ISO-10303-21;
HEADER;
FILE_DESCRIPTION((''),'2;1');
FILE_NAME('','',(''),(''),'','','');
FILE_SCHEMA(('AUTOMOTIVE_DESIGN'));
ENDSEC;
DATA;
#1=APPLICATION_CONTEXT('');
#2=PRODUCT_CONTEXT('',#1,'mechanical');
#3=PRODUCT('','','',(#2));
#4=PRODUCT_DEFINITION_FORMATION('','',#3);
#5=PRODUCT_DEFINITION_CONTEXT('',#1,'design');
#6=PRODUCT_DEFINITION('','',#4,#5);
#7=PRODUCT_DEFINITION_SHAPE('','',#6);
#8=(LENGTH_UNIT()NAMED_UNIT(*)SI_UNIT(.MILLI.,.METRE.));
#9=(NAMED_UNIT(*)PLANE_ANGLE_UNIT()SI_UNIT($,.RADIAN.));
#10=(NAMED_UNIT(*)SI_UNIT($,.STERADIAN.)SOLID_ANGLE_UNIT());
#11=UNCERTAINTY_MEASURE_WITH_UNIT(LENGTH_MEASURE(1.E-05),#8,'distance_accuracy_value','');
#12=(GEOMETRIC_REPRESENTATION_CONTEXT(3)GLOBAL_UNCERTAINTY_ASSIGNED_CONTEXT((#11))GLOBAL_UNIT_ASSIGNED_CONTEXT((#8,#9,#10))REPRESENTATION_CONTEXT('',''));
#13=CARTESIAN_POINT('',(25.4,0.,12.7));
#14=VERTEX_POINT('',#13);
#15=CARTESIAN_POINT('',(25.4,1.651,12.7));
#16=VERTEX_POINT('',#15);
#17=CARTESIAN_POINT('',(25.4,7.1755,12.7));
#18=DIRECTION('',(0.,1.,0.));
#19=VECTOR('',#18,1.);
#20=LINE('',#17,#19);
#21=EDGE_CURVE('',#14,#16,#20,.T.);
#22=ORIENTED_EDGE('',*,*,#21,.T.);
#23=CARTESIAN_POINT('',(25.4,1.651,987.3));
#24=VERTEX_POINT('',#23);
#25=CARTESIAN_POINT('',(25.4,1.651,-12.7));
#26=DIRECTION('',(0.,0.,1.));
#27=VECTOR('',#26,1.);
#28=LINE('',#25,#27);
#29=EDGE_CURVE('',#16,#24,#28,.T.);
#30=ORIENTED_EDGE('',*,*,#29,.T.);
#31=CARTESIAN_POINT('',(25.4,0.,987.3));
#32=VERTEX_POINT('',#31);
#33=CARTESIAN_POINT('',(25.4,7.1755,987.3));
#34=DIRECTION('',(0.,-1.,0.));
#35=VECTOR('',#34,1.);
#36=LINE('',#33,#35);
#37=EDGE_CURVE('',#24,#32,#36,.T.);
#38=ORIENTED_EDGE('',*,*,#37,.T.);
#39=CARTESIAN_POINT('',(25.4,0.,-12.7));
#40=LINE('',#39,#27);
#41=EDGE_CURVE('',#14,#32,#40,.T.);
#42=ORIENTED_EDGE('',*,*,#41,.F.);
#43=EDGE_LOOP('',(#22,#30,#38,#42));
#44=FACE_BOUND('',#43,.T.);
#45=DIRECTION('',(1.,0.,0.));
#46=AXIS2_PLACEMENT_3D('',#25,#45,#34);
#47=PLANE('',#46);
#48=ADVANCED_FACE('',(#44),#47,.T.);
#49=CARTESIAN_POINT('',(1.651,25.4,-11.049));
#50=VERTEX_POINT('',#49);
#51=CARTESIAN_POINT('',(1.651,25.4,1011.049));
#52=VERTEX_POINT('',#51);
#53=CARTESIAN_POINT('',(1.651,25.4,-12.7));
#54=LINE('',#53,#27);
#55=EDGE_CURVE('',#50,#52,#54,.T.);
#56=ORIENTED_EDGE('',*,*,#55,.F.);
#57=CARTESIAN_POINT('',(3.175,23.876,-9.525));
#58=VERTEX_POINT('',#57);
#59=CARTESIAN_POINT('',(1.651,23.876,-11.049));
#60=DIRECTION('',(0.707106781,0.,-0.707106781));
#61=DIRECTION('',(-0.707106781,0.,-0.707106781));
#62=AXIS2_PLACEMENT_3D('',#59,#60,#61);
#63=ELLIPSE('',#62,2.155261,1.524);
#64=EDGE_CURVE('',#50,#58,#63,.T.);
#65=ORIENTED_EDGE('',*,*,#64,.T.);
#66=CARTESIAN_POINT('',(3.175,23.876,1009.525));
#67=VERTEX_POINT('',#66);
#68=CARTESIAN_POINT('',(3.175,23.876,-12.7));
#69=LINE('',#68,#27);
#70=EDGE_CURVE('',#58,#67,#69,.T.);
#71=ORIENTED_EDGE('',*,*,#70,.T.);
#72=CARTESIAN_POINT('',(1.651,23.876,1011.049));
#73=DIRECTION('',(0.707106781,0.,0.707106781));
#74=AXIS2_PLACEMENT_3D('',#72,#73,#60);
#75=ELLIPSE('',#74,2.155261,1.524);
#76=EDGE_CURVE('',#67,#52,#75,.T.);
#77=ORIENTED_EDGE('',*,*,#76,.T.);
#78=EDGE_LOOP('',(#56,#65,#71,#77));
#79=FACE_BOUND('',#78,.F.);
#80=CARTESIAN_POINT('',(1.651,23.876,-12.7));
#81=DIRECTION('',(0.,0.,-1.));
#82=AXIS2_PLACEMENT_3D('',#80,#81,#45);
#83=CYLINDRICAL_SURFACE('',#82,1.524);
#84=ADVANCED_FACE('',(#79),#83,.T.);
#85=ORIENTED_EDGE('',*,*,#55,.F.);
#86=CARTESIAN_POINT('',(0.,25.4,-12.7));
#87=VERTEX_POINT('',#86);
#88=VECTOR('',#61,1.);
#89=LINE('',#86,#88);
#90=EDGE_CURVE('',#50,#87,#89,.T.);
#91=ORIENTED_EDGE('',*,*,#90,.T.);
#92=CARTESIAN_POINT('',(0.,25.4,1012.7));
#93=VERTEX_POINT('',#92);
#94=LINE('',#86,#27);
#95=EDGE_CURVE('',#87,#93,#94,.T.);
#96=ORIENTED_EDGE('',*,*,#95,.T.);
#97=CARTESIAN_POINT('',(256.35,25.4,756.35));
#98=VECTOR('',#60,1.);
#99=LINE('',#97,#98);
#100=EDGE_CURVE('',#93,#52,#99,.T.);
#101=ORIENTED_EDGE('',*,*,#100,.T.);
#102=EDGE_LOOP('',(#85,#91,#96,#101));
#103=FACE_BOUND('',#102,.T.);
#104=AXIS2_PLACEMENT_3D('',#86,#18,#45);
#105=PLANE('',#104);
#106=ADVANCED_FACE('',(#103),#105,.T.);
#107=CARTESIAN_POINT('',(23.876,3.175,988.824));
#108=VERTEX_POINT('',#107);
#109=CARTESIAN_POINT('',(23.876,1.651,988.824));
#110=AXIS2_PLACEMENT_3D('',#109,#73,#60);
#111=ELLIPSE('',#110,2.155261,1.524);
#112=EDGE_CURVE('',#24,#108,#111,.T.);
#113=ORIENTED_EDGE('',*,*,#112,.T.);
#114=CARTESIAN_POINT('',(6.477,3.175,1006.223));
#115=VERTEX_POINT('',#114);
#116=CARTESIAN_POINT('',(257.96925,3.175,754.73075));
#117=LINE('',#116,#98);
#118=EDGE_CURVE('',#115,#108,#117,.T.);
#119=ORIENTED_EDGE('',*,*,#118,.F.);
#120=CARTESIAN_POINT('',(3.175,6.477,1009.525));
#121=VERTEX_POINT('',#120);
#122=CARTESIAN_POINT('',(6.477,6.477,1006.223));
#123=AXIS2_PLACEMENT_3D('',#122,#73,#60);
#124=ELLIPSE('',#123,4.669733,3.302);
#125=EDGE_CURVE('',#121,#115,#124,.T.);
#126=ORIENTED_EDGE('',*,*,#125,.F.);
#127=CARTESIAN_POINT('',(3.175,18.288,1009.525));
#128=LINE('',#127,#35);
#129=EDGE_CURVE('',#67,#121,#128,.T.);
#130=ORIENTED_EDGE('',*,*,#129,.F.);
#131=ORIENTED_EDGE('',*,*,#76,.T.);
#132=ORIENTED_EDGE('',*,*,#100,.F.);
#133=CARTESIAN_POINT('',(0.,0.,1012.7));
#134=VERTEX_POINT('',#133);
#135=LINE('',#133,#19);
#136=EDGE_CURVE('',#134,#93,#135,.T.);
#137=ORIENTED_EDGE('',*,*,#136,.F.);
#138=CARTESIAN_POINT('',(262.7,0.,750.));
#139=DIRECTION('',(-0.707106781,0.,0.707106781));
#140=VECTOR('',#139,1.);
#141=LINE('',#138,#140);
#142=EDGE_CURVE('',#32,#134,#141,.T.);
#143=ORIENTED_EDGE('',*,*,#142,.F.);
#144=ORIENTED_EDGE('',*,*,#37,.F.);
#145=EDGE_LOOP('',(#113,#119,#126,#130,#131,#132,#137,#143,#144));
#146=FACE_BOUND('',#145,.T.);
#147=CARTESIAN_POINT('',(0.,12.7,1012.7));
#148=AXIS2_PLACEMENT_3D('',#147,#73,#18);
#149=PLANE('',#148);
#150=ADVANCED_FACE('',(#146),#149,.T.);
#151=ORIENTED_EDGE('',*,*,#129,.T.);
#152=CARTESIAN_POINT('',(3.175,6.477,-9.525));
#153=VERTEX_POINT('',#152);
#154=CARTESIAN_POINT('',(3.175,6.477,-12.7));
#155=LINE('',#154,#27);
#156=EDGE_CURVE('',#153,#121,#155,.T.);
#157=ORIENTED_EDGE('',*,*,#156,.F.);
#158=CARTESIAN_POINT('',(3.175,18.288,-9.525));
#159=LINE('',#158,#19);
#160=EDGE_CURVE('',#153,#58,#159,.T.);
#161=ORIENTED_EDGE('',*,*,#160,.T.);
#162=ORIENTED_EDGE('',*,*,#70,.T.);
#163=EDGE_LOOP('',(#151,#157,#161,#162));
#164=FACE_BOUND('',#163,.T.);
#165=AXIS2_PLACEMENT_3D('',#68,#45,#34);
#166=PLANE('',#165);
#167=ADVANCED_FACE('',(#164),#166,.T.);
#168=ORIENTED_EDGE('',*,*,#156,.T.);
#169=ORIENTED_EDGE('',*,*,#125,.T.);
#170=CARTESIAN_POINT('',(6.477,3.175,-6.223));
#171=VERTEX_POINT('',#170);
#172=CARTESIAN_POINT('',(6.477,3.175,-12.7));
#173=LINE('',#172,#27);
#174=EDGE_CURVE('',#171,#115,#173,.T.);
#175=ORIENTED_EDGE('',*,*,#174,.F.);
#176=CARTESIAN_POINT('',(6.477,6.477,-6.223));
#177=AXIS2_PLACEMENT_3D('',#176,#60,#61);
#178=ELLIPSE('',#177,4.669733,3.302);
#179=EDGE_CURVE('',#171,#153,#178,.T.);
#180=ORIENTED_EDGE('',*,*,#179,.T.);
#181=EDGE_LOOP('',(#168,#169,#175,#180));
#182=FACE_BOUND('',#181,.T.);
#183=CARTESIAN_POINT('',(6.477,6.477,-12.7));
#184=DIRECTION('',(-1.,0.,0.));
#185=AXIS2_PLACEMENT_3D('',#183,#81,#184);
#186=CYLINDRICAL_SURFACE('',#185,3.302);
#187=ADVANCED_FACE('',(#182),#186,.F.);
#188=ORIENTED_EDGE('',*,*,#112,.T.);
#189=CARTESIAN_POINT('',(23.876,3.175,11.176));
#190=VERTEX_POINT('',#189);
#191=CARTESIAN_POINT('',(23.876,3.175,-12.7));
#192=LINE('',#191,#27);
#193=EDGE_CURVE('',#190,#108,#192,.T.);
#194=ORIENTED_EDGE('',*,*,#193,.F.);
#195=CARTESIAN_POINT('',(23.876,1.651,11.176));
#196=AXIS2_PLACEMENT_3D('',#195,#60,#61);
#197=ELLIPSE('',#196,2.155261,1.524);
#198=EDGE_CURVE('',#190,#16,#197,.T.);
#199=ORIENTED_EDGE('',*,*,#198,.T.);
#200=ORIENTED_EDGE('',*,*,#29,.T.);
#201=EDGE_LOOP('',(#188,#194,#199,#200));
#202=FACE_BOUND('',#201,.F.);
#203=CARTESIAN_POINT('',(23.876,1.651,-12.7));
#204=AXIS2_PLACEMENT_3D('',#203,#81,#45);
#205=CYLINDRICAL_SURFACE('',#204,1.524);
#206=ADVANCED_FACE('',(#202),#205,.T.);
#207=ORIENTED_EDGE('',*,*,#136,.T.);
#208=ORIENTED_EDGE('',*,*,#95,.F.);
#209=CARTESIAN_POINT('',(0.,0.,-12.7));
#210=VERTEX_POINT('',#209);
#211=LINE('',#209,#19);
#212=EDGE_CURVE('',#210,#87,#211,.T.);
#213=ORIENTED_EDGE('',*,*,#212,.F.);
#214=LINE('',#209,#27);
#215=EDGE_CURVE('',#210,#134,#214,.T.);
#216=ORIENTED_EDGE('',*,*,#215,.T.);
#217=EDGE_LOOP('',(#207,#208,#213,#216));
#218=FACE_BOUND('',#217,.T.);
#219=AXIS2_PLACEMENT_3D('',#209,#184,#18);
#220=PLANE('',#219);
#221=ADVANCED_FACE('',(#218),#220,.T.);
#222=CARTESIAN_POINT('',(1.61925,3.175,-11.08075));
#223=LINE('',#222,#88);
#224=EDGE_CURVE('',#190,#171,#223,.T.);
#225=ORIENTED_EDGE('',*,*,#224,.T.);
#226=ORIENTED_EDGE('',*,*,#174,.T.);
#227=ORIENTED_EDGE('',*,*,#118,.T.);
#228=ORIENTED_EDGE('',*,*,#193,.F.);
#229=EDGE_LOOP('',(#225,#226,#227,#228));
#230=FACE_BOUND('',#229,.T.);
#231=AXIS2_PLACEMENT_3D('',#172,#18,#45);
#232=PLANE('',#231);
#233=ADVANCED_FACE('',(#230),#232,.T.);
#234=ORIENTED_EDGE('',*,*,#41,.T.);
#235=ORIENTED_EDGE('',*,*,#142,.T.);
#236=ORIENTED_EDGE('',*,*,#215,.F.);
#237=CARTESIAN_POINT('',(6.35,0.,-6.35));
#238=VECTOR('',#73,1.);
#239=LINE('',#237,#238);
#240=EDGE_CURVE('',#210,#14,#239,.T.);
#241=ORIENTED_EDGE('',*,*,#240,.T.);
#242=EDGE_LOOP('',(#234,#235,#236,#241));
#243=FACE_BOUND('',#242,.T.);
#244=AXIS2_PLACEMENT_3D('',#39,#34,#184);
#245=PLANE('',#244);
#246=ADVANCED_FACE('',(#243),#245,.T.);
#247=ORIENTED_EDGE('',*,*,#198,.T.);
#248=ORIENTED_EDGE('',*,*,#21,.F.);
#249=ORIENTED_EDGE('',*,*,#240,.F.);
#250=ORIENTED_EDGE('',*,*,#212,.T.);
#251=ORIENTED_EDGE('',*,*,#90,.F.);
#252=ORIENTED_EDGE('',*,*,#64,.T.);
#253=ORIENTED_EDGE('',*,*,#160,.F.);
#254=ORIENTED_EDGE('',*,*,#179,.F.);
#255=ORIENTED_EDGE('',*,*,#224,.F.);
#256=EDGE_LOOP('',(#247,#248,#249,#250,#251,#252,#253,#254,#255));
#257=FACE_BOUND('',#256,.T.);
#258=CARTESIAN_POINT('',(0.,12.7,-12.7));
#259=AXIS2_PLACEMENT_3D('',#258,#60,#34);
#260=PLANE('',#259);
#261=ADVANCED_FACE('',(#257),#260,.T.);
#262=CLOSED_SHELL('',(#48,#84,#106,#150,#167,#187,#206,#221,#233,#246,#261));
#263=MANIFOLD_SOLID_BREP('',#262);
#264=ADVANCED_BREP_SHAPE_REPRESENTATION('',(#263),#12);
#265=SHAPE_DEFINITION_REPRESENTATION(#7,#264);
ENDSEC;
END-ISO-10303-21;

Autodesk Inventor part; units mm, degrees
ref_plane "Start Plane" through (0, 0, -12.7) normal (0, 0, 1) x (1, 0, 0)
ref_plane "End Plane" through (0, 0, 1012.7) normal (0, 0, 1) x (1, 0, 0)
sketch "Sketch" plane through (0, 0, 0) normal (0, 0, 1) x (1, 0, 0)
  line L0 (25.4, 0) -> (0, 0)
  line L1 (0, 0) -> (0, 25.4)
  line L2 (0, 25.4) -> (1.651, 25.4)
  line L3 (3.175, 23.876) -> (3.175, 6.477)
  line L4 (6.477, 3.175) -> (23.876, 3.175)
  line L5 (25.4, 1.651) -> (25.4, 0)
  line L6 (0, -11.0414) -> (0, 31.5385) construction
  line L7 (-11.0414, 0) -> (31.5385, 0) construction
  arc A0 (3.175, 6.477) -> (6.477, 3.175) centre (6.477, 6.477) ccw
  arc A1 (3.175, 23.876) -> (1.651, 25.4) centre (1.651, 23.876) ccw
  arc A2 (25.4, 1.651) -> (23.876, 3.175) centre (23.876, 1.651) ccw
  line L8 (0, 40.0545) -> (0, -19.5574) construction
  line L9 (-19.5574, 0) -> (40.0545, 0) construction
  point P0 (3.175, 25.4)
  point P1 (3.175, 3.175)
  point P2 (25.4, 3.175)
  dimension "d0" = 25.4
  dimension "d1" = 25.4
  dimension "d2" = 3.175
  dimension "d3" = 3.175
  dimension "d10" = 0
  dimension "d11" = 0
  dimension "d14" = 3.302
  dimension "d15" = 1.524
extrude "Body" add sketch "Sketch" along normal up to surface (1025.4 mm away) from surface at -12.7
sketch "Sketch3" plane through (0, 0, 0) normal (0, 0, 1) x (1, 0, 0)
  line L0 (0, 0) -> (10, 0)
ref_plane "Work Plane3" through (0, 0, 0) normal (0, -1, 0) x (1, 0, 0)
ref_plane "Work Plane4" through (0, 12.7, 1012.7) normal (0.7071, 0, 0.7071) x (0.7071, 0, -0.7071)
split "Split1" plane through (0, 12.7, 1012.7) removes the side toward (0.7071, 0, 0.7071)
ref_plane "Work Plane5" through (0, 12.7, -12.7) normal (0.7071, 0, -0.7071) x (-0.7071, 0, -0.7071)
split "Split2" plane through (0, 12.7, -12.7) removes the side toward (0.7071, 0, -0.7071)
sketch "Sketch4" plane through (0, 0, 0) normal (0, -1, 0) x (1, 0, 0)
  line L0 (-2, -12.7) -> (12, -12.7) projected
  line L1 (-2, 1012.7) -> (12, 1012.7) projected
  dimension "d17" = 1025.4
equation "\"d0\" = G_H"
equation "\"d1\" = G_H"
equation "\"d2\" = G_T"
equation "\"d3\" = G_T"
equation "\"d14\" = G_IR"
equation "\"d15\" = G_ER"
equation "\"d4\" = G_L"
equation "\"G_H\" = 25.4"
equation "\"G_T\" = 3.175"
equation "\"G_ER\" = 1.524"
equation "\"G_IR\" = 3.302"
equation "\"G_L\" = d17"
equation "\"ex\" = 0"
equation "\"G_OFFSET_START\" = 12.7"
equation "\"G_OFFSET_END\" = 12.7"
equation "\"d12\" = -G_OFFSET_START"
equation "\"d13\" = G_OFFSET_END + B_L"
equation "\"B_L\" = 1000"
properties part number "AISC - L 1 x 1 x 1/8 - 40.37" material "Steel, Mild"
